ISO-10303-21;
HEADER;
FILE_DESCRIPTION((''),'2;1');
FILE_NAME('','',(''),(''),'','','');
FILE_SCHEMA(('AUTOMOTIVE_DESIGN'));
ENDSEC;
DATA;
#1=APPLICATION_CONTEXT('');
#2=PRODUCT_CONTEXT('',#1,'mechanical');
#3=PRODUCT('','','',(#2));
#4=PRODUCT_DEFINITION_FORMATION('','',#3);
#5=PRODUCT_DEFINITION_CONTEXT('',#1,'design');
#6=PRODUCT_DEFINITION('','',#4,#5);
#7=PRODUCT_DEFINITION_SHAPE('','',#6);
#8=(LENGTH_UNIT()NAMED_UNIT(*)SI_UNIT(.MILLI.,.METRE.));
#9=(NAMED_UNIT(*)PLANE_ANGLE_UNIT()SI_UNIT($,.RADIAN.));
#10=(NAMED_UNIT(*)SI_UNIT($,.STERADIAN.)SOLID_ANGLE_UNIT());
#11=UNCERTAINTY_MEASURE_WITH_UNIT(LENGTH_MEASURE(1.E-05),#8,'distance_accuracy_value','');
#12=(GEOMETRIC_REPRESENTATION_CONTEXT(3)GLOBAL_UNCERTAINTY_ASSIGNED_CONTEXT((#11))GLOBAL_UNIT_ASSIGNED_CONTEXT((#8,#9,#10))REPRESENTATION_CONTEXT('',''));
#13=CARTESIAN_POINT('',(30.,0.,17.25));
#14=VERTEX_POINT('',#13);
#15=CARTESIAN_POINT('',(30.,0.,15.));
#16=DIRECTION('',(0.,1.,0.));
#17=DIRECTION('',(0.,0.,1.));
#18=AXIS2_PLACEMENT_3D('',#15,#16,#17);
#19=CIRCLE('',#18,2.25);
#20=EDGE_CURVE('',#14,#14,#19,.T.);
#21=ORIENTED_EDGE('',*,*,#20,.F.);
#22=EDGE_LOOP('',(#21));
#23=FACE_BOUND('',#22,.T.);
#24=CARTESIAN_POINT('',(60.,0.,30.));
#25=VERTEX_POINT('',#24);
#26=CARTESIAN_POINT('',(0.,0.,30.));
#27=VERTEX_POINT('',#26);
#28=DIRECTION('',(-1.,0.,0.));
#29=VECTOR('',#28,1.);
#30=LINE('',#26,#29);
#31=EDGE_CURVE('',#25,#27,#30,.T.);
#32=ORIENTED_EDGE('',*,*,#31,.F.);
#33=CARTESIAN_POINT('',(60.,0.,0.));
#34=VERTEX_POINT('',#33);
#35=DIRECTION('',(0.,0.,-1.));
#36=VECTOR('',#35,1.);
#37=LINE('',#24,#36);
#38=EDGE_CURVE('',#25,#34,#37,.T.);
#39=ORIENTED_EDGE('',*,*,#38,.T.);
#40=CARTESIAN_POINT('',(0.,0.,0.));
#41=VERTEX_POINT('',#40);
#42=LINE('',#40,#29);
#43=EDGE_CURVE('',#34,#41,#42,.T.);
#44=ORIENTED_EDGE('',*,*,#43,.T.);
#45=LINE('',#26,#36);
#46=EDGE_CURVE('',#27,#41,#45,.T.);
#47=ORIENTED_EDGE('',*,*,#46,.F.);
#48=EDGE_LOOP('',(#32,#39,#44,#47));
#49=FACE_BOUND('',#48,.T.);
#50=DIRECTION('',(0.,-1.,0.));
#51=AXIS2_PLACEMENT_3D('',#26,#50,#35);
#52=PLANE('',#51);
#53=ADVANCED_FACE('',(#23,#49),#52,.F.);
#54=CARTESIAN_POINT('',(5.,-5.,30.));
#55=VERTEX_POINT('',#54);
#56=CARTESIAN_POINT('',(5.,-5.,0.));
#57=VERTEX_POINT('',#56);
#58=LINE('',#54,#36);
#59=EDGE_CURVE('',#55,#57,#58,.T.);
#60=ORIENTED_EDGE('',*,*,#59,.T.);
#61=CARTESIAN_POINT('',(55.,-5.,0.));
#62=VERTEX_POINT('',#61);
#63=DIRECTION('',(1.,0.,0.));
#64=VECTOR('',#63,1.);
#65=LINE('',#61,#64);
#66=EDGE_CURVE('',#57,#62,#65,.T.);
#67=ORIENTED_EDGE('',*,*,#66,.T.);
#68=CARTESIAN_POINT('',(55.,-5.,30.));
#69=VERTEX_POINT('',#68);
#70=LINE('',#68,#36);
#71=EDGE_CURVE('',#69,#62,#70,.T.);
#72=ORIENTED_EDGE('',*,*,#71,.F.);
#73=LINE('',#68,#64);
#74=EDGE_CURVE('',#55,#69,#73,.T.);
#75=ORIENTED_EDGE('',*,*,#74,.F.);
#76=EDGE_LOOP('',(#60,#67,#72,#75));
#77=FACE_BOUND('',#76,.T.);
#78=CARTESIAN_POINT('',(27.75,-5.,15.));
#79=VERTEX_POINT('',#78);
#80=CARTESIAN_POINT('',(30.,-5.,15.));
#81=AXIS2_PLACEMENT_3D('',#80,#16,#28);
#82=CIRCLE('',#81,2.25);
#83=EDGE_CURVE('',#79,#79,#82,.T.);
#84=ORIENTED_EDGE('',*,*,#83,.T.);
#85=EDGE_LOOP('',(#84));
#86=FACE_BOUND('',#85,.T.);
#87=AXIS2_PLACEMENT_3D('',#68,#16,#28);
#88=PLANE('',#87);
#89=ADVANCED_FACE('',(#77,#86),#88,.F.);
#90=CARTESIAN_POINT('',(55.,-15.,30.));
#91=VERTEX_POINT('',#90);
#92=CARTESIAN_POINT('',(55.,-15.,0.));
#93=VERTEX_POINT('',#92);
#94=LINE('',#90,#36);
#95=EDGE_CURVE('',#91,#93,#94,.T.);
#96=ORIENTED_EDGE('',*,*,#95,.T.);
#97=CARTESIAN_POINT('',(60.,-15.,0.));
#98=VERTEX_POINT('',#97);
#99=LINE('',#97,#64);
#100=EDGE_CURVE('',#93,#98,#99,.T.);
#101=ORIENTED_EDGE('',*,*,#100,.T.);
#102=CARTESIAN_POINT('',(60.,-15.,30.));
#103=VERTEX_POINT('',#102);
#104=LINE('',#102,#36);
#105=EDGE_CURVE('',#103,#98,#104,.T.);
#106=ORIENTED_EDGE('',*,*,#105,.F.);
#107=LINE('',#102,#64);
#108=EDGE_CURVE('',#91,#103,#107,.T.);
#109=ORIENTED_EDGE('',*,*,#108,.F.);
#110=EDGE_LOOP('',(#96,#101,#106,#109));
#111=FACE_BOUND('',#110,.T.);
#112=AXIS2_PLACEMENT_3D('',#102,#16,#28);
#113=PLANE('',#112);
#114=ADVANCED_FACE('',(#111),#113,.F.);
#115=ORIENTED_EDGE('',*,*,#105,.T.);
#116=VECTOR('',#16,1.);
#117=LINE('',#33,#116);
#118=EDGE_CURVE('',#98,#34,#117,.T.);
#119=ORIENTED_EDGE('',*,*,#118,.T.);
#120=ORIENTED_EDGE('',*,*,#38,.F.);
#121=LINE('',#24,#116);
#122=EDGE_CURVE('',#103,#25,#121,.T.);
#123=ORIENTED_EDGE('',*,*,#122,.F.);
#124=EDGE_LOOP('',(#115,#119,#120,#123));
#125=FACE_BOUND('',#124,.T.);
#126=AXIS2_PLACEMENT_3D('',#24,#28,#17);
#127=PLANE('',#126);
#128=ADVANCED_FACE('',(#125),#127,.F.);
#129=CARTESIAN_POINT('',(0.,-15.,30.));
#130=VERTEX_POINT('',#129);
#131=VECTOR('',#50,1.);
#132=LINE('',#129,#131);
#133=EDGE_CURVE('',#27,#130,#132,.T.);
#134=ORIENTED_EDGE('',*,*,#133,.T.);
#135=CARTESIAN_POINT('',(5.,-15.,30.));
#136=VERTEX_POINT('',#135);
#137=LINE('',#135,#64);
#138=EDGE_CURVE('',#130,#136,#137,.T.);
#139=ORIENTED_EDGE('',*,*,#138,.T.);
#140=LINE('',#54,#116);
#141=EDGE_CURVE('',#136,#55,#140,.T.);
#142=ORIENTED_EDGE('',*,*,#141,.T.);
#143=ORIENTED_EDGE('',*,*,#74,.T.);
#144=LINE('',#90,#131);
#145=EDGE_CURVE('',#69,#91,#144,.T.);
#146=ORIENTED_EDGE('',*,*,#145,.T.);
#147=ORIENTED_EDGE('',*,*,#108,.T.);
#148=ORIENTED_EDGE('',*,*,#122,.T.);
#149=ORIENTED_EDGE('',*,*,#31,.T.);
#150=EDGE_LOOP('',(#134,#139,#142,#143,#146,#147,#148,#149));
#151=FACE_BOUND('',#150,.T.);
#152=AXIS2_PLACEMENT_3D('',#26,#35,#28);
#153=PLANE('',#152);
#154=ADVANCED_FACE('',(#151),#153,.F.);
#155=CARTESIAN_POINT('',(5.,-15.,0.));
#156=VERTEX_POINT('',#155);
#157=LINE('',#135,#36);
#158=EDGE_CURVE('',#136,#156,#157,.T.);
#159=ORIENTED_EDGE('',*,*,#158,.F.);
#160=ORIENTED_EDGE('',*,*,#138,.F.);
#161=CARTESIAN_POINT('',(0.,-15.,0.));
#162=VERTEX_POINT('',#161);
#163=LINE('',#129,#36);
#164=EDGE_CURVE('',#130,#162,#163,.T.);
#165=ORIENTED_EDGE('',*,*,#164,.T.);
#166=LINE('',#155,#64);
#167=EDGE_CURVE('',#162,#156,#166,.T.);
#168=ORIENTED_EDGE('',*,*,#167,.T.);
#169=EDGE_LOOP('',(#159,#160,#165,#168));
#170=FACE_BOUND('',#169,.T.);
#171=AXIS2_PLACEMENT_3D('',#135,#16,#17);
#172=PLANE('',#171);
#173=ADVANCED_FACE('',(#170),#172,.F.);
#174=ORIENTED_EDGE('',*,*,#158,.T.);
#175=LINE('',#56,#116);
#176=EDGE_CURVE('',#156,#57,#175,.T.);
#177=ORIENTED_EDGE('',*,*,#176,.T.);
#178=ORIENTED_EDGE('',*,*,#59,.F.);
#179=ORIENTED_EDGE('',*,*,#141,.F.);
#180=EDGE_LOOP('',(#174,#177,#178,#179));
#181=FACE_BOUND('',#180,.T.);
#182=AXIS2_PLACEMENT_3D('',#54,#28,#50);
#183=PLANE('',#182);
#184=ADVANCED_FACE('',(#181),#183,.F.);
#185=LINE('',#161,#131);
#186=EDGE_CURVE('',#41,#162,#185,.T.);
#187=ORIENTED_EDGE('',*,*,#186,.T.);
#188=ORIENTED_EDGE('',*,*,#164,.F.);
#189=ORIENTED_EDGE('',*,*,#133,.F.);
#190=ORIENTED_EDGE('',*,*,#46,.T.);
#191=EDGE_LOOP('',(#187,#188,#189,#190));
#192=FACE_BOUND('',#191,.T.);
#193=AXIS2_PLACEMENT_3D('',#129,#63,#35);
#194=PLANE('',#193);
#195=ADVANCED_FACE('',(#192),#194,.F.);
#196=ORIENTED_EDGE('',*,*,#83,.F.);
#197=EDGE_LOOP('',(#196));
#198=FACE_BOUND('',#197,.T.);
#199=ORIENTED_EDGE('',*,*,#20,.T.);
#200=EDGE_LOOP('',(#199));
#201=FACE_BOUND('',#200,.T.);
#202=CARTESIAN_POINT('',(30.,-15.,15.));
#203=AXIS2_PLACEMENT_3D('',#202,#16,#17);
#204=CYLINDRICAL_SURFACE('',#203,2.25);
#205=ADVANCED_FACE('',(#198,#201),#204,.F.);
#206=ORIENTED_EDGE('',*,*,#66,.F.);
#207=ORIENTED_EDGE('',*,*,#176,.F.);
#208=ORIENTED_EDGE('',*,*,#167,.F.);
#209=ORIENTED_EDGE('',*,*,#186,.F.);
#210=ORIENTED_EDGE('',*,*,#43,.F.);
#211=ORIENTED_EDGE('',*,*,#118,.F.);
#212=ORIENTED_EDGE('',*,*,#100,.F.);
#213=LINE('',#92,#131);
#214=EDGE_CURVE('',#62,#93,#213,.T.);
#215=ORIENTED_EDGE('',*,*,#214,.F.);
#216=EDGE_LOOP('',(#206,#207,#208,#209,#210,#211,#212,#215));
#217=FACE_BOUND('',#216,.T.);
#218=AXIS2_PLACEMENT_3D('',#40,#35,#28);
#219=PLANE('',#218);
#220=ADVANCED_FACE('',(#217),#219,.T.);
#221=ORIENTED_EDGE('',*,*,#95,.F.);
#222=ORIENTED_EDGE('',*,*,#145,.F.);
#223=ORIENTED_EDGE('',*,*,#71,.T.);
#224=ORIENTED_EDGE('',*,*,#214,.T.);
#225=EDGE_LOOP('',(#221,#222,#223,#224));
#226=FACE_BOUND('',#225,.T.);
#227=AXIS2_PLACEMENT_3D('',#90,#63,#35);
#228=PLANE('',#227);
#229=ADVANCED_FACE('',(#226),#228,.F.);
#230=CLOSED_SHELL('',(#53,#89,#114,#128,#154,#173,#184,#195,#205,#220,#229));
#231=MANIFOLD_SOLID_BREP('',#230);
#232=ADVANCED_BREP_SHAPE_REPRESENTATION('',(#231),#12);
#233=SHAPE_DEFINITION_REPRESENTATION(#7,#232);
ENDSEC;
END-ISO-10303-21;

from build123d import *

# Parameters (mm, degrees)
BOSS_EXTRUDE1_DEPTH = 30
SKETCH2_R           = 2.25
CUT_EXTRUDE1_DEPTH  = 69.738635424


with BuildPart() as part:
    # Sketch1 → Boss-Extrude1 (new body)
    with BuildSketch(Plane.XY):
        Polygon((0, 0), (60, 0), (60, -15), (55, -15), (55, -5), (5, -5), (5, -15), (0, -15), align=None)
    extrude(amount=BOSS_EXTRUDE1_DEPTH)

    # Sketch2 → Cut-Extrude1 (cut, through all)
    with BuildSketch(Plane(origin=(0, 0, 0), x_dir=(1, 0, 0), z_dir=(0, 1, 0))):
        with Locations(Location((30, -15, 0), (0, 0, 270))):
            Circle(SKETCH2_R)
    extrude(amount=-CUT_EXTRUDE1_DEPTH, mode=Mode.SUBTRACT)


solid = part.part
